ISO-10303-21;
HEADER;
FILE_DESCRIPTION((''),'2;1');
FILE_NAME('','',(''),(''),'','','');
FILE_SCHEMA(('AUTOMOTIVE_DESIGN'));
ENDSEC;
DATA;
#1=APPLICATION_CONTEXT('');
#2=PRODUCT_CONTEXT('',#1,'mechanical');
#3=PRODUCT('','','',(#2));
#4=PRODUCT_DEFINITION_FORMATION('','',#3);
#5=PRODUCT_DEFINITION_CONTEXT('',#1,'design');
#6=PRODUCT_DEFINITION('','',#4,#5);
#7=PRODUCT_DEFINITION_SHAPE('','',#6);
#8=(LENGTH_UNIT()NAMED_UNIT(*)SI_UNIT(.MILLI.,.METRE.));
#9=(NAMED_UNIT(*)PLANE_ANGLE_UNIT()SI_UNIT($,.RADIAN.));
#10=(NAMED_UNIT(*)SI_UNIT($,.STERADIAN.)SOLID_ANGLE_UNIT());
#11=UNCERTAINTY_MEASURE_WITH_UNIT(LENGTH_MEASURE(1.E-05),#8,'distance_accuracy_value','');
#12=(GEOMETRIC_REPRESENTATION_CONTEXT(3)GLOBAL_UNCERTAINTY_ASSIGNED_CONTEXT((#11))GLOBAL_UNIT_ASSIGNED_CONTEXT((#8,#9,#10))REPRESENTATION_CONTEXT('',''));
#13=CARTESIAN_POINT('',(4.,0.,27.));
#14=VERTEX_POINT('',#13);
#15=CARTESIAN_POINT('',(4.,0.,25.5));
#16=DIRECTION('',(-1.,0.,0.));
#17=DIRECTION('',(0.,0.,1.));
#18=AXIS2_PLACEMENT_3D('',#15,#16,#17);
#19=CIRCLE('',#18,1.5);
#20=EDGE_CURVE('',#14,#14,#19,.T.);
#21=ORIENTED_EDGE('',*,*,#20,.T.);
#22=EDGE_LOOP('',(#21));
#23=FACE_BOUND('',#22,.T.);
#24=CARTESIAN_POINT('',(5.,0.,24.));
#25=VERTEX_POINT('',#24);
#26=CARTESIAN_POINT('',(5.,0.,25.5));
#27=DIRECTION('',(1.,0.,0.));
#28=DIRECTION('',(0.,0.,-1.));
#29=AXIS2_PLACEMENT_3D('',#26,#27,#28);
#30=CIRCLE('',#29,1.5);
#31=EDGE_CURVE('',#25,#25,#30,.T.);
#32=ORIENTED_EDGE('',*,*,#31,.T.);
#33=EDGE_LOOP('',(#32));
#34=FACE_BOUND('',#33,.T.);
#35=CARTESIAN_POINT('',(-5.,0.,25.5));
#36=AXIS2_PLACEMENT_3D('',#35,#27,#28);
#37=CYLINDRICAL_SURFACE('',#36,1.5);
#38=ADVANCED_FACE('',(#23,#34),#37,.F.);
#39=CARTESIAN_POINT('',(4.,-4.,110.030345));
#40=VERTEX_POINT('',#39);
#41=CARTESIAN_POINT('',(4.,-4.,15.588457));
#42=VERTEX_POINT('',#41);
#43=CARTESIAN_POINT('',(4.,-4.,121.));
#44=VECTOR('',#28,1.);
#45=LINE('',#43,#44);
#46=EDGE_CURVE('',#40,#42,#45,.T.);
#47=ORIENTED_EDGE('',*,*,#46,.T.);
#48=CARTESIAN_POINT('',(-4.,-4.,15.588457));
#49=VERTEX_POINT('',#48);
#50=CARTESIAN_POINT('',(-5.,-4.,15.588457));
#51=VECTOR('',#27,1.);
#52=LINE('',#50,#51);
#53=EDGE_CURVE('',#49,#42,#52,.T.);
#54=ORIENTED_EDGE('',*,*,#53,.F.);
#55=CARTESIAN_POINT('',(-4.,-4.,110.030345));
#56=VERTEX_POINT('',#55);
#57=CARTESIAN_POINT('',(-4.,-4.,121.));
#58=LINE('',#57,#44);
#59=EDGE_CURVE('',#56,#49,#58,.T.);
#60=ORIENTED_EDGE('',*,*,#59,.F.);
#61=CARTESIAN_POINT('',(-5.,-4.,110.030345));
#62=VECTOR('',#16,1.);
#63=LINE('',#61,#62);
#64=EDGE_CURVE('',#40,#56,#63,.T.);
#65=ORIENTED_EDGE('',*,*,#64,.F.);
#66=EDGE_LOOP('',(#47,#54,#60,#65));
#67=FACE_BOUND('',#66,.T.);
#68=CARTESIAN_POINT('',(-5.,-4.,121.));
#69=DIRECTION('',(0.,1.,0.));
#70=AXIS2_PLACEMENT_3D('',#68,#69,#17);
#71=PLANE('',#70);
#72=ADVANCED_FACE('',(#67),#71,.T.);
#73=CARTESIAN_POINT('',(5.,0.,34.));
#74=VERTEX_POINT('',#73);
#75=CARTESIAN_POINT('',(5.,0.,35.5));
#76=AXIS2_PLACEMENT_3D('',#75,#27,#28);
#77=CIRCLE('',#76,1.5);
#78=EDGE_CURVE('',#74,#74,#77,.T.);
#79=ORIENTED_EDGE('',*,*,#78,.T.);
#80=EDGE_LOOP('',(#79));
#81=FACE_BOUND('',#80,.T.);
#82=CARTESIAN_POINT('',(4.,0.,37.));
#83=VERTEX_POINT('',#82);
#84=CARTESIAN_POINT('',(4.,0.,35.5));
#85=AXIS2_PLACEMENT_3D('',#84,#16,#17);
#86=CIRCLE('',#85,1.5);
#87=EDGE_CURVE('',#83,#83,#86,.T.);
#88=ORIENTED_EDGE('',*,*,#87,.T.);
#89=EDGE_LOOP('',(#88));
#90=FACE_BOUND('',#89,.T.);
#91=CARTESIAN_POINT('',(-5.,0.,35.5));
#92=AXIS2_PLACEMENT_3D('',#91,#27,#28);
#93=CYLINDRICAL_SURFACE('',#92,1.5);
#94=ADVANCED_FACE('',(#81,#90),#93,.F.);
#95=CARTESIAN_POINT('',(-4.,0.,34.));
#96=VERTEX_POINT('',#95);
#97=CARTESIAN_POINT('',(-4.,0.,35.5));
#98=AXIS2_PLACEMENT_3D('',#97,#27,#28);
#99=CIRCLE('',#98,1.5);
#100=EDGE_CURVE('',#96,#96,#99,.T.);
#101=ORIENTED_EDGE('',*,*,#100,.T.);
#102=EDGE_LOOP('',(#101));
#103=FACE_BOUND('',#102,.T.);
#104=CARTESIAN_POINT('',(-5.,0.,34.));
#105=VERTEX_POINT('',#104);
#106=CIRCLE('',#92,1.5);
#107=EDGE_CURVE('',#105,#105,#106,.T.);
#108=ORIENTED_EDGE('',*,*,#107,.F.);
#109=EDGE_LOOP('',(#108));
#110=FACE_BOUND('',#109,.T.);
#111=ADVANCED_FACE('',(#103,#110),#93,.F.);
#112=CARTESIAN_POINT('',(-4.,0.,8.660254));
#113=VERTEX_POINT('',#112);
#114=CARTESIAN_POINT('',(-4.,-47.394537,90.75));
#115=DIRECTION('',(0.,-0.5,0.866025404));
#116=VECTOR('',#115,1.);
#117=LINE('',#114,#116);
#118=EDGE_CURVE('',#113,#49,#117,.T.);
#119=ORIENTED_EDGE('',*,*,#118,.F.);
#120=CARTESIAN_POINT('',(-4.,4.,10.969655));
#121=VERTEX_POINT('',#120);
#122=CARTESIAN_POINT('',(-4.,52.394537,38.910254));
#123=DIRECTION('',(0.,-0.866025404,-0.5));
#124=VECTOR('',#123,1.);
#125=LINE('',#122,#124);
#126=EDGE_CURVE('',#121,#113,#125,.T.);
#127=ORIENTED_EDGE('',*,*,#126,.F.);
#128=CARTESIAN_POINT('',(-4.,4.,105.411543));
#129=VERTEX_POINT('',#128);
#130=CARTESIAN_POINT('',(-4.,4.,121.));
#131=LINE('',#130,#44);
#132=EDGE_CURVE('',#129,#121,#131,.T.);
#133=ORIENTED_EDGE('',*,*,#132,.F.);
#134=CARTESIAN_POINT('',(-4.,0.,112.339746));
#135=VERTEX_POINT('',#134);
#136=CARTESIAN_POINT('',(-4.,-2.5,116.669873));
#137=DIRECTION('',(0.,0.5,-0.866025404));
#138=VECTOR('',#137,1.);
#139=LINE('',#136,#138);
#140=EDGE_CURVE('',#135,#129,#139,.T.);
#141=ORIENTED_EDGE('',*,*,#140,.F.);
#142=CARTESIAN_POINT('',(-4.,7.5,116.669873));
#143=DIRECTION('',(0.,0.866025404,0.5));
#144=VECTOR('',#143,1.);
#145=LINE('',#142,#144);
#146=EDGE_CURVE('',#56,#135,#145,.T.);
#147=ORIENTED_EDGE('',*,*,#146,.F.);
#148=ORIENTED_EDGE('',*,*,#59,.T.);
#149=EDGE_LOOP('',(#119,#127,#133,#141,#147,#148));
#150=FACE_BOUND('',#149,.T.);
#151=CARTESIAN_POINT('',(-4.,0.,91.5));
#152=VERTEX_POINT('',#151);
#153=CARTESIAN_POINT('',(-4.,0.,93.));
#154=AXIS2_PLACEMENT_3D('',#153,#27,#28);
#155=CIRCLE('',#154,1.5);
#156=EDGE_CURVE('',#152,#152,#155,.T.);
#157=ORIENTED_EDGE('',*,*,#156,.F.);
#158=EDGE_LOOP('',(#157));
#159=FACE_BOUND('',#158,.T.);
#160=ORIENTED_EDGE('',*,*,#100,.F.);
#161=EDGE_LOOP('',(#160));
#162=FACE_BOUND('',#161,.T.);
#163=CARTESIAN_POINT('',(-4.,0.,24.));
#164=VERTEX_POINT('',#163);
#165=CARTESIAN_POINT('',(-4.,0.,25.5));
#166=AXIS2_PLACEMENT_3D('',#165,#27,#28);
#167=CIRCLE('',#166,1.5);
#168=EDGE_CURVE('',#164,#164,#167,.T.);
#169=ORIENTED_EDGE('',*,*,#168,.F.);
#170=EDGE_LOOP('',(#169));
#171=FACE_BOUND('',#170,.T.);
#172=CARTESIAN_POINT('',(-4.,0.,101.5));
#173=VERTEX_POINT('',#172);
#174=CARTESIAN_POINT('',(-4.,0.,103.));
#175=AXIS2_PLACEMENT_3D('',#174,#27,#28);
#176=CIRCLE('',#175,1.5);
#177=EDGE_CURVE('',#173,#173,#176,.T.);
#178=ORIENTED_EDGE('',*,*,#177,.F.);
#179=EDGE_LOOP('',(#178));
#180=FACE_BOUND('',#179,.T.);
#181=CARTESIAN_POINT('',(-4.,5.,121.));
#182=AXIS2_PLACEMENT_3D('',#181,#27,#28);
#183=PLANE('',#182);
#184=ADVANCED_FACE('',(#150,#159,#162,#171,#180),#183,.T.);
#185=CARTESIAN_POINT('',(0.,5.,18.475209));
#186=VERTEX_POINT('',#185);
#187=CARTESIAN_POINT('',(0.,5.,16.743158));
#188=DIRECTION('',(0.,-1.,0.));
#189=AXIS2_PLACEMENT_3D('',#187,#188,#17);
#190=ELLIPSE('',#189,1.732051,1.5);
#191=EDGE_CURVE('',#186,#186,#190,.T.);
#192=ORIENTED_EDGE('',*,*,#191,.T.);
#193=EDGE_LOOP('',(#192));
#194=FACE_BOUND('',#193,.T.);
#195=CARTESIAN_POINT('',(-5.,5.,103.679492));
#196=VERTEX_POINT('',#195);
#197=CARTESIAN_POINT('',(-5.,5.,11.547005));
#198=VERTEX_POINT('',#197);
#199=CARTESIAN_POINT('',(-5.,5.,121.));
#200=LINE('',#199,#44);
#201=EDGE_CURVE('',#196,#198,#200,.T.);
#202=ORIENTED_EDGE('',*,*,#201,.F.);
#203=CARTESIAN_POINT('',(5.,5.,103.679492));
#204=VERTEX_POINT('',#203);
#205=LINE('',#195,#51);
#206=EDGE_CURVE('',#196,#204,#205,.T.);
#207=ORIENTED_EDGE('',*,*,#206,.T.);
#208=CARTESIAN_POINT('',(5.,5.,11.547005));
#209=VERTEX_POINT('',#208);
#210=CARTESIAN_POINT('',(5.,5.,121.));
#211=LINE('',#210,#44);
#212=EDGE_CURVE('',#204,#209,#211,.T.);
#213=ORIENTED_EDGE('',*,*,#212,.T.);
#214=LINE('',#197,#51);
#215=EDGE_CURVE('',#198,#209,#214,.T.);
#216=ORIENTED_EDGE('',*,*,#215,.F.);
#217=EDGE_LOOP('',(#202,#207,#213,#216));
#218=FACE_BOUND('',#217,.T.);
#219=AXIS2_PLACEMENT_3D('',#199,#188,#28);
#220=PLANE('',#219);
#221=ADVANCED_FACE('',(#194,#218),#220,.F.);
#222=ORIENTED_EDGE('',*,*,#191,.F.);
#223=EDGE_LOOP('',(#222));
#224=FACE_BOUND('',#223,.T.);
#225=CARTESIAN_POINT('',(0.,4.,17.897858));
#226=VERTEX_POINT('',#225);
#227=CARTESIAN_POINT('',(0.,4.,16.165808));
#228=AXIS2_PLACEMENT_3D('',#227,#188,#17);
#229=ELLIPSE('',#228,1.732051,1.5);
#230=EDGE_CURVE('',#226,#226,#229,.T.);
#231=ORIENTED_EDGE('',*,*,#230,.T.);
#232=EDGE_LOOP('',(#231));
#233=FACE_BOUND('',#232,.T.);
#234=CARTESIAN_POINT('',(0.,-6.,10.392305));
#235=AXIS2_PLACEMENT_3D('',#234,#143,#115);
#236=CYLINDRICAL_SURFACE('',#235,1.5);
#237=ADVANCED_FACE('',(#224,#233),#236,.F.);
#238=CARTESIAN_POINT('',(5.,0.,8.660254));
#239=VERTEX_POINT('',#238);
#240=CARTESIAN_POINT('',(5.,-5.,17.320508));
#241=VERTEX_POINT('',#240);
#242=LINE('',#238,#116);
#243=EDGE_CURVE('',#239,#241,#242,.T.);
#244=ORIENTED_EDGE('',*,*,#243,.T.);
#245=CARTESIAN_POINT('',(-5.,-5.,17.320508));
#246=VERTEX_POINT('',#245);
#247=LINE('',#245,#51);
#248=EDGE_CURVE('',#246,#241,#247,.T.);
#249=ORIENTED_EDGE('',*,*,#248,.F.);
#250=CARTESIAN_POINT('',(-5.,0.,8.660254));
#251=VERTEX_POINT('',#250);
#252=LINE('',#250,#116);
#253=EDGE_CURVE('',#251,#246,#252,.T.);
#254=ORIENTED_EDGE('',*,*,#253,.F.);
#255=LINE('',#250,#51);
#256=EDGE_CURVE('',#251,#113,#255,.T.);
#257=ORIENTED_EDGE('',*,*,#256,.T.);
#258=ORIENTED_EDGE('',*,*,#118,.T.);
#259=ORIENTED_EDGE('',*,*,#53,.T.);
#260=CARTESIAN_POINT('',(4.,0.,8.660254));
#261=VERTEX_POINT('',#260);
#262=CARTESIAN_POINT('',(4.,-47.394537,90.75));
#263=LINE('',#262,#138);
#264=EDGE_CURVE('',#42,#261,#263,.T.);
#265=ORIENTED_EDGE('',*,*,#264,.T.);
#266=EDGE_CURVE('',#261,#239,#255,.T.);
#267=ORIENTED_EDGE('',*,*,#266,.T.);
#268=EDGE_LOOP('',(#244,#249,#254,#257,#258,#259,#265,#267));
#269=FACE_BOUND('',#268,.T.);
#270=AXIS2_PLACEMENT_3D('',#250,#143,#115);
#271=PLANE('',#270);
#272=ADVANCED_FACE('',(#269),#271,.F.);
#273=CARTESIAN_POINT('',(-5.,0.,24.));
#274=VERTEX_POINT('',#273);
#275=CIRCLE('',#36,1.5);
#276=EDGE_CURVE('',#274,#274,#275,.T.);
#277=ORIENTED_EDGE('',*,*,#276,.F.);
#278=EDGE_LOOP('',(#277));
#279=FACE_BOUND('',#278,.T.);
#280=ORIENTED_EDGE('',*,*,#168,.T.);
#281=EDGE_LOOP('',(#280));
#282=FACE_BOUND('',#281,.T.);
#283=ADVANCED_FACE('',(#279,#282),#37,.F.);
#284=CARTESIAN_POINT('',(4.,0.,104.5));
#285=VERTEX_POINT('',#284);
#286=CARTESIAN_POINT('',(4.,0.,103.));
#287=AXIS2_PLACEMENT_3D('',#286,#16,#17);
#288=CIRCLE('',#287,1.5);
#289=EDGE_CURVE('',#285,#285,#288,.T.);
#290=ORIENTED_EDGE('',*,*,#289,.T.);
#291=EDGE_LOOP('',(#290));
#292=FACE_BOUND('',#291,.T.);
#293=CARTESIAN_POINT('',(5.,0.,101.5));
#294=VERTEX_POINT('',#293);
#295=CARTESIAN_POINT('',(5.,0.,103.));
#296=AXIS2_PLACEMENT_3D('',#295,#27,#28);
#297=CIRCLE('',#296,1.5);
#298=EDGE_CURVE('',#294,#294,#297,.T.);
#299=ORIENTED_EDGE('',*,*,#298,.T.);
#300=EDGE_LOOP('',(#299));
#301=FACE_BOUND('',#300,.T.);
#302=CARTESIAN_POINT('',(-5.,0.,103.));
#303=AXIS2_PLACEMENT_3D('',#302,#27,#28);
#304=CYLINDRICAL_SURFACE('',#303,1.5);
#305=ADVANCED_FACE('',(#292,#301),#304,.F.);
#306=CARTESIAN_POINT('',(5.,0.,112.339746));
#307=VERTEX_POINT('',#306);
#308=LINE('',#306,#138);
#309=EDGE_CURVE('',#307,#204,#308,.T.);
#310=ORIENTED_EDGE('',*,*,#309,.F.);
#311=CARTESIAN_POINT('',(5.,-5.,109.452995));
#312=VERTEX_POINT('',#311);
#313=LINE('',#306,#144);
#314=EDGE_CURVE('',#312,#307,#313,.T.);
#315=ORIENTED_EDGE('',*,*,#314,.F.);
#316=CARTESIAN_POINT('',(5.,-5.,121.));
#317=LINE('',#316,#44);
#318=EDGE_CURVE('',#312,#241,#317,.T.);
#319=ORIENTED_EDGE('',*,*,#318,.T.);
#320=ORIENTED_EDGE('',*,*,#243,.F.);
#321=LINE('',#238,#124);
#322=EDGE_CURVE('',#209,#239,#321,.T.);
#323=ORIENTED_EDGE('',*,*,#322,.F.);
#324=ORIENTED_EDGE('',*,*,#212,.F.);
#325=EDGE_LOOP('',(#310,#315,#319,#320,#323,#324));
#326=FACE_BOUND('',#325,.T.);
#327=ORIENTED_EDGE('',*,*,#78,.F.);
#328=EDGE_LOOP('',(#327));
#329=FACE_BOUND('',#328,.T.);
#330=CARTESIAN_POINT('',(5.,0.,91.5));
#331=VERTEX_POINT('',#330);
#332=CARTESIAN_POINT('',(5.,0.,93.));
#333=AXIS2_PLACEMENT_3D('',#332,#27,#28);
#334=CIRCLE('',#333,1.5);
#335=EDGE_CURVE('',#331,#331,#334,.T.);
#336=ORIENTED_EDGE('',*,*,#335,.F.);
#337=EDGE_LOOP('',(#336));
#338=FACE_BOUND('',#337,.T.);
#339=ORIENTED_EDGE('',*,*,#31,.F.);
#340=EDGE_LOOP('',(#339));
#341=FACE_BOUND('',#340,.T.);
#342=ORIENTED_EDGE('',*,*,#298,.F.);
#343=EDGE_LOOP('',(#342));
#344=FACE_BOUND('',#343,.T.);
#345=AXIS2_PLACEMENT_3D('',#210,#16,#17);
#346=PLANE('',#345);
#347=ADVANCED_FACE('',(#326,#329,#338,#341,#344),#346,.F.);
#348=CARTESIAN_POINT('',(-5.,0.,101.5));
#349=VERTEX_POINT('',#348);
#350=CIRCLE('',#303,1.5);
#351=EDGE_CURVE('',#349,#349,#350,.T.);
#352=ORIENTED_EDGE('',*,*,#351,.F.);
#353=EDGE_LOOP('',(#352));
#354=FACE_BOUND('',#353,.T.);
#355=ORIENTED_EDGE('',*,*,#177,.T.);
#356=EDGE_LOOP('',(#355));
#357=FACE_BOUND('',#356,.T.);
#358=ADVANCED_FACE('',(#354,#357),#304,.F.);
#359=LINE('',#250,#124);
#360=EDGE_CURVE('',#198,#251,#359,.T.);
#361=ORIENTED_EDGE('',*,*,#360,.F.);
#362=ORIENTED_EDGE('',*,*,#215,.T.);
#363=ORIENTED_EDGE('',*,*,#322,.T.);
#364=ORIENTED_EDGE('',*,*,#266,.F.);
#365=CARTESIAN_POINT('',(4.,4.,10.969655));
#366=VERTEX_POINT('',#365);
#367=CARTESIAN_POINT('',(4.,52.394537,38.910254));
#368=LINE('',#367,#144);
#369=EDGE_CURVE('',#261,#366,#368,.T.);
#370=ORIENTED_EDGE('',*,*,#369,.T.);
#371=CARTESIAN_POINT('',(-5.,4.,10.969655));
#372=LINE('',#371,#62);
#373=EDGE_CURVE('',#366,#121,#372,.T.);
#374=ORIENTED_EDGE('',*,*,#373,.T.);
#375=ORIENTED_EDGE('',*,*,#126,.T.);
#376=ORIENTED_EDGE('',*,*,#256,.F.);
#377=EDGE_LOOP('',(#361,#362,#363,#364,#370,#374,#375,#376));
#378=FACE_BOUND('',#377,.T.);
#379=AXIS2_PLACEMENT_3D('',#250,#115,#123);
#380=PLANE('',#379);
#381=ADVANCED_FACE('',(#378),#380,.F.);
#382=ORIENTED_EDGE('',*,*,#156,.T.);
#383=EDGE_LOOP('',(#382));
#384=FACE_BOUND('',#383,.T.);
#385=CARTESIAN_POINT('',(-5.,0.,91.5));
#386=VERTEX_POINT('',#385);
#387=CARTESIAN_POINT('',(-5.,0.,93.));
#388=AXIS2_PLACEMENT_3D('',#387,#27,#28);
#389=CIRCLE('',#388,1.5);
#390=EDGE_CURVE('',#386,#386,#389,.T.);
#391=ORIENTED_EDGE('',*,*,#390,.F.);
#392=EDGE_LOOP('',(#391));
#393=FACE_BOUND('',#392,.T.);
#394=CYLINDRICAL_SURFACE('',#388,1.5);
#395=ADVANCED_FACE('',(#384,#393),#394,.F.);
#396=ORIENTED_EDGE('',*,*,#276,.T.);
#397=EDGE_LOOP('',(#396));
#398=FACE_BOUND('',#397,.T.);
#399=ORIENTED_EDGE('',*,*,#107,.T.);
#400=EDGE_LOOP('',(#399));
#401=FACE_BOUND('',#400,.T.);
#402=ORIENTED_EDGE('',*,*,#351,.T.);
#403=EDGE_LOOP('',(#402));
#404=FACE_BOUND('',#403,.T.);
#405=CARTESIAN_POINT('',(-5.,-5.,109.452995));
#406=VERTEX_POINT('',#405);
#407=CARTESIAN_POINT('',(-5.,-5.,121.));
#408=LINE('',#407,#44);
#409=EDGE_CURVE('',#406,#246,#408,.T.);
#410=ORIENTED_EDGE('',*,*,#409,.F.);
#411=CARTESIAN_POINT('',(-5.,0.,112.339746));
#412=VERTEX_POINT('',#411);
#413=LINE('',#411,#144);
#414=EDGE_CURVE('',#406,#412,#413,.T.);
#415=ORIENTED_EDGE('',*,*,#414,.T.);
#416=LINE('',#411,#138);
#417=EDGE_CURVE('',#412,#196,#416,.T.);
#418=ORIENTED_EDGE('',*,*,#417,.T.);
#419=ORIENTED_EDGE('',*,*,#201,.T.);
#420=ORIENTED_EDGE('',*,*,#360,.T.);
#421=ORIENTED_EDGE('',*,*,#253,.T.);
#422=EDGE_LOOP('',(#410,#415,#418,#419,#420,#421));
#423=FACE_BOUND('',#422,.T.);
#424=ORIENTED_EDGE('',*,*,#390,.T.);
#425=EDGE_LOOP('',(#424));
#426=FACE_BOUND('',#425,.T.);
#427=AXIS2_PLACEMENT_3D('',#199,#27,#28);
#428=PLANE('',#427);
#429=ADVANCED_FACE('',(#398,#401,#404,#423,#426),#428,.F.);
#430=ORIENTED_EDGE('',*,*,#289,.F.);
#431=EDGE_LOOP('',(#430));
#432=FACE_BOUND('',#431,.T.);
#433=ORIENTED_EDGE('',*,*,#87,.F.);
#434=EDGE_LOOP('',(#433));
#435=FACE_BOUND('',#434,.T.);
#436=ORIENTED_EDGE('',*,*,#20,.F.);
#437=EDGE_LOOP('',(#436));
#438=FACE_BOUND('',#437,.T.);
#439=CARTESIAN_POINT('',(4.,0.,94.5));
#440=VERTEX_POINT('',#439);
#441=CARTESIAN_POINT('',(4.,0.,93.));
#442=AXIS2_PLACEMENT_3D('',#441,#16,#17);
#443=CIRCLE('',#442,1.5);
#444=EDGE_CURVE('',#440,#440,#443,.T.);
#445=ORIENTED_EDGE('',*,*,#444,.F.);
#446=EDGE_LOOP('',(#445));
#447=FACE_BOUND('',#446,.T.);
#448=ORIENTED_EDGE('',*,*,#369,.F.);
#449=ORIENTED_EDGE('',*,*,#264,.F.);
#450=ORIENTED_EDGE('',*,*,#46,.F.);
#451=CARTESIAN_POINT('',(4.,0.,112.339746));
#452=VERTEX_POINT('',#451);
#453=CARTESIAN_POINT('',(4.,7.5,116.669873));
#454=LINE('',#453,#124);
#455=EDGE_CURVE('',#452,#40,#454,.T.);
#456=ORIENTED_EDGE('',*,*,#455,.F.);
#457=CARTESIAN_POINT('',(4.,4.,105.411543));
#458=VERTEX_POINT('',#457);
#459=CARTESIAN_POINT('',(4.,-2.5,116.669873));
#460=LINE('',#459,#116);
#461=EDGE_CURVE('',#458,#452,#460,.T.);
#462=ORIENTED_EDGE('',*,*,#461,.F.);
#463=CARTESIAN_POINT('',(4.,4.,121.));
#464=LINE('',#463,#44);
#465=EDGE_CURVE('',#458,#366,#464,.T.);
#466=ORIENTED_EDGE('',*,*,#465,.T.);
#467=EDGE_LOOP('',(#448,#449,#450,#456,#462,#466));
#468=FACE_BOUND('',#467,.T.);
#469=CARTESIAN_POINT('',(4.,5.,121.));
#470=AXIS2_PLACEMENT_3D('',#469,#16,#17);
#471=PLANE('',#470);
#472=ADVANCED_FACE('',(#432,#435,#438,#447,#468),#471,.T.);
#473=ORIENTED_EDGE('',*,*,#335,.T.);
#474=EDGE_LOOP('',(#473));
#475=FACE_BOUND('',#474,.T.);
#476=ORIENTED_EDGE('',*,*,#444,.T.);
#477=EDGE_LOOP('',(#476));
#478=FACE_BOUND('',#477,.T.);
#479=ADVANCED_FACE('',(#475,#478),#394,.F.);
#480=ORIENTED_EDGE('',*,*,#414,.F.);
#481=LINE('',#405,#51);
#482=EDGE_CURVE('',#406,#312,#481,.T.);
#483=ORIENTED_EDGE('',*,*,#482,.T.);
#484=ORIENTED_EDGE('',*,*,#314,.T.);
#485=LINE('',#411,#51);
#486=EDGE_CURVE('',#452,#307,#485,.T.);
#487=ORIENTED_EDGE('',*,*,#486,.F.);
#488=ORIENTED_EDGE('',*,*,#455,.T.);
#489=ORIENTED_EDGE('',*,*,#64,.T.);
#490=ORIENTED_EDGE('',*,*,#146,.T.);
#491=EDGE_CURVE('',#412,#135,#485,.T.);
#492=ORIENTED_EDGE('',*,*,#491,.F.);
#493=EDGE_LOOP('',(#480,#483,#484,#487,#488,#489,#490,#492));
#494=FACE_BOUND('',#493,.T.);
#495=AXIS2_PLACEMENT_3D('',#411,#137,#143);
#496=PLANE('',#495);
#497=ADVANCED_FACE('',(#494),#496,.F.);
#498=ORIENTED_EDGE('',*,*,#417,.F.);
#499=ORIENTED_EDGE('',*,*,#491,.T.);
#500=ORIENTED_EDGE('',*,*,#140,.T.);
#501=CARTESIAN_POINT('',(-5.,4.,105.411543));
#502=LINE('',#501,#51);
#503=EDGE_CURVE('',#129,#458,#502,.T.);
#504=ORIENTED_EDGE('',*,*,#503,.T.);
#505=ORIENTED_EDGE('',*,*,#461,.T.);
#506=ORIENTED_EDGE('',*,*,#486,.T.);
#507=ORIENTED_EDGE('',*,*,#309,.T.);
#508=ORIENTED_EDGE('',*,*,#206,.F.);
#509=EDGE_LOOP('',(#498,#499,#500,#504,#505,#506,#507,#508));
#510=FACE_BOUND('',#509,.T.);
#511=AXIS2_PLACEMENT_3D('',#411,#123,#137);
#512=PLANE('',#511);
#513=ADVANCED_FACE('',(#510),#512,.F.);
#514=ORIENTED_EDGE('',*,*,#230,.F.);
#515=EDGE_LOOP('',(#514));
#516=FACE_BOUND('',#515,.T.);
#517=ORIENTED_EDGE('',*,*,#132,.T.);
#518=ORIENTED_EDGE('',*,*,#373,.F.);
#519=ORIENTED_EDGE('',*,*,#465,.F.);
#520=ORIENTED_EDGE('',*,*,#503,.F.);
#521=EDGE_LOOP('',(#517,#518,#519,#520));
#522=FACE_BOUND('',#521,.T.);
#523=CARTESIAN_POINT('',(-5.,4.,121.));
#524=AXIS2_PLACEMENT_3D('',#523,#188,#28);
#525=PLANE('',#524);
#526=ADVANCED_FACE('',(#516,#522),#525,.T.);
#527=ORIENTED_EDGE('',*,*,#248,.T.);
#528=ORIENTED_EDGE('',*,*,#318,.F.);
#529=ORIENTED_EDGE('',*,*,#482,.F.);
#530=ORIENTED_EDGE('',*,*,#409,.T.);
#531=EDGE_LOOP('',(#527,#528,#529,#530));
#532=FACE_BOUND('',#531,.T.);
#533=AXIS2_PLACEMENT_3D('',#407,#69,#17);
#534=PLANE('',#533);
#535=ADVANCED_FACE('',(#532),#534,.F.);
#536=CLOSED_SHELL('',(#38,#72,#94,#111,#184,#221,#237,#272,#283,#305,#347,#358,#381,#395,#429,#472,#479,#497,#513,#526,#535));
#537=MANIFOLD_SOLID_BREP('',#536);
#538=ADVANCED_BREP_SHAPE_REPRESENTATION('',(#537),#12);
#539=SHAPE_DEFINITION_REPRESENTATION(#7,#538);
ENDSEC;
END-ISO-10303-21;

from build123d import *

# Parameters (mm, degrees)
SKETCH_1_W               = 10
SKETCH_1_H               = 10
SKETCH_1_W_2             = 8
SKETCH_1_H_2             = 8
EXTRUDE_1_DEPTH          = 121
SKETCH_2_R               = 1.5
CUT_EXTRUDE_1_DEPTH      = 11
SKETCH_3_R               = 1.5
CUT_EXTRUDE_2_DEPTH      = 51.396370289
CUT_EXTRUDE_2_DEPTH_BACK = 11.103629711


with BuildPart() as part:
    # 草图1 → 拉伸-薄壁1 (new body)
    with BuildSketch(Plane.XY):
        Rectangle(SKETCH_1_W, SKETCH_1_H)
        Rectangle(SKETCH_1_W_2, SKETCH_1_H_2, mode=Mode.SUBTRACT)
    extrude(amount=EXTRUDE_1_DEPTH)

    # 草图2 → 切除-拉伸1 (cut, through all)
    with BuildSketch(Plane(origin=(5, 0, 0), x_dir=(0, 0, -1), z_dir=(1, 0, 0))):
        with Locations((-103, 0)):
            Circle(SKETCH_2_R)
        with Locations((-35.5, 0)):
            Circle(SKETCH_2_R)
        with Locations((-25.5, 0)):
            Circle(SKETCH_2_R)
        with Locations((-93, 0)):
            Circle(SKETCH_2_R)
        Polygon((-112.339745962, 0), (-103.679491924, 5), (-121, 5), (-121, -5), (-109.452994616, -5), align=None)
        Polygon((-8.660254038, 0), (-17.320508076, -5), (0, -5), (0, 5), (-11.547005384, 5), align=None)
    extrude(amount=-CUT_EXTRUDE_1_DEPTH, mode=Mode.SUBTRACT)

    # 草图3 → 切除-拉伸2 (cut, two sides)
    with BuildSketch(Plane(origin=(0, 8.75, 5.051814855), x_dir=(1, 0, 0), z_dir=(0, 0.866025404, 0.5))) as cut_extrude_2_sk:
        with Locations((0, -12)):
            Circle(SKETCH_3_R)
    extrude(amount=CUT_EXTRUDE_2_DEPTH, mode=Mode.SUBTRACT)
    extrude(cut_extrude_2_sk.sketch, amount=-CUT_EXTRUDE_2_DEPTH_BACK, mode=Mode.SUBTRACT)


solid = part.part
